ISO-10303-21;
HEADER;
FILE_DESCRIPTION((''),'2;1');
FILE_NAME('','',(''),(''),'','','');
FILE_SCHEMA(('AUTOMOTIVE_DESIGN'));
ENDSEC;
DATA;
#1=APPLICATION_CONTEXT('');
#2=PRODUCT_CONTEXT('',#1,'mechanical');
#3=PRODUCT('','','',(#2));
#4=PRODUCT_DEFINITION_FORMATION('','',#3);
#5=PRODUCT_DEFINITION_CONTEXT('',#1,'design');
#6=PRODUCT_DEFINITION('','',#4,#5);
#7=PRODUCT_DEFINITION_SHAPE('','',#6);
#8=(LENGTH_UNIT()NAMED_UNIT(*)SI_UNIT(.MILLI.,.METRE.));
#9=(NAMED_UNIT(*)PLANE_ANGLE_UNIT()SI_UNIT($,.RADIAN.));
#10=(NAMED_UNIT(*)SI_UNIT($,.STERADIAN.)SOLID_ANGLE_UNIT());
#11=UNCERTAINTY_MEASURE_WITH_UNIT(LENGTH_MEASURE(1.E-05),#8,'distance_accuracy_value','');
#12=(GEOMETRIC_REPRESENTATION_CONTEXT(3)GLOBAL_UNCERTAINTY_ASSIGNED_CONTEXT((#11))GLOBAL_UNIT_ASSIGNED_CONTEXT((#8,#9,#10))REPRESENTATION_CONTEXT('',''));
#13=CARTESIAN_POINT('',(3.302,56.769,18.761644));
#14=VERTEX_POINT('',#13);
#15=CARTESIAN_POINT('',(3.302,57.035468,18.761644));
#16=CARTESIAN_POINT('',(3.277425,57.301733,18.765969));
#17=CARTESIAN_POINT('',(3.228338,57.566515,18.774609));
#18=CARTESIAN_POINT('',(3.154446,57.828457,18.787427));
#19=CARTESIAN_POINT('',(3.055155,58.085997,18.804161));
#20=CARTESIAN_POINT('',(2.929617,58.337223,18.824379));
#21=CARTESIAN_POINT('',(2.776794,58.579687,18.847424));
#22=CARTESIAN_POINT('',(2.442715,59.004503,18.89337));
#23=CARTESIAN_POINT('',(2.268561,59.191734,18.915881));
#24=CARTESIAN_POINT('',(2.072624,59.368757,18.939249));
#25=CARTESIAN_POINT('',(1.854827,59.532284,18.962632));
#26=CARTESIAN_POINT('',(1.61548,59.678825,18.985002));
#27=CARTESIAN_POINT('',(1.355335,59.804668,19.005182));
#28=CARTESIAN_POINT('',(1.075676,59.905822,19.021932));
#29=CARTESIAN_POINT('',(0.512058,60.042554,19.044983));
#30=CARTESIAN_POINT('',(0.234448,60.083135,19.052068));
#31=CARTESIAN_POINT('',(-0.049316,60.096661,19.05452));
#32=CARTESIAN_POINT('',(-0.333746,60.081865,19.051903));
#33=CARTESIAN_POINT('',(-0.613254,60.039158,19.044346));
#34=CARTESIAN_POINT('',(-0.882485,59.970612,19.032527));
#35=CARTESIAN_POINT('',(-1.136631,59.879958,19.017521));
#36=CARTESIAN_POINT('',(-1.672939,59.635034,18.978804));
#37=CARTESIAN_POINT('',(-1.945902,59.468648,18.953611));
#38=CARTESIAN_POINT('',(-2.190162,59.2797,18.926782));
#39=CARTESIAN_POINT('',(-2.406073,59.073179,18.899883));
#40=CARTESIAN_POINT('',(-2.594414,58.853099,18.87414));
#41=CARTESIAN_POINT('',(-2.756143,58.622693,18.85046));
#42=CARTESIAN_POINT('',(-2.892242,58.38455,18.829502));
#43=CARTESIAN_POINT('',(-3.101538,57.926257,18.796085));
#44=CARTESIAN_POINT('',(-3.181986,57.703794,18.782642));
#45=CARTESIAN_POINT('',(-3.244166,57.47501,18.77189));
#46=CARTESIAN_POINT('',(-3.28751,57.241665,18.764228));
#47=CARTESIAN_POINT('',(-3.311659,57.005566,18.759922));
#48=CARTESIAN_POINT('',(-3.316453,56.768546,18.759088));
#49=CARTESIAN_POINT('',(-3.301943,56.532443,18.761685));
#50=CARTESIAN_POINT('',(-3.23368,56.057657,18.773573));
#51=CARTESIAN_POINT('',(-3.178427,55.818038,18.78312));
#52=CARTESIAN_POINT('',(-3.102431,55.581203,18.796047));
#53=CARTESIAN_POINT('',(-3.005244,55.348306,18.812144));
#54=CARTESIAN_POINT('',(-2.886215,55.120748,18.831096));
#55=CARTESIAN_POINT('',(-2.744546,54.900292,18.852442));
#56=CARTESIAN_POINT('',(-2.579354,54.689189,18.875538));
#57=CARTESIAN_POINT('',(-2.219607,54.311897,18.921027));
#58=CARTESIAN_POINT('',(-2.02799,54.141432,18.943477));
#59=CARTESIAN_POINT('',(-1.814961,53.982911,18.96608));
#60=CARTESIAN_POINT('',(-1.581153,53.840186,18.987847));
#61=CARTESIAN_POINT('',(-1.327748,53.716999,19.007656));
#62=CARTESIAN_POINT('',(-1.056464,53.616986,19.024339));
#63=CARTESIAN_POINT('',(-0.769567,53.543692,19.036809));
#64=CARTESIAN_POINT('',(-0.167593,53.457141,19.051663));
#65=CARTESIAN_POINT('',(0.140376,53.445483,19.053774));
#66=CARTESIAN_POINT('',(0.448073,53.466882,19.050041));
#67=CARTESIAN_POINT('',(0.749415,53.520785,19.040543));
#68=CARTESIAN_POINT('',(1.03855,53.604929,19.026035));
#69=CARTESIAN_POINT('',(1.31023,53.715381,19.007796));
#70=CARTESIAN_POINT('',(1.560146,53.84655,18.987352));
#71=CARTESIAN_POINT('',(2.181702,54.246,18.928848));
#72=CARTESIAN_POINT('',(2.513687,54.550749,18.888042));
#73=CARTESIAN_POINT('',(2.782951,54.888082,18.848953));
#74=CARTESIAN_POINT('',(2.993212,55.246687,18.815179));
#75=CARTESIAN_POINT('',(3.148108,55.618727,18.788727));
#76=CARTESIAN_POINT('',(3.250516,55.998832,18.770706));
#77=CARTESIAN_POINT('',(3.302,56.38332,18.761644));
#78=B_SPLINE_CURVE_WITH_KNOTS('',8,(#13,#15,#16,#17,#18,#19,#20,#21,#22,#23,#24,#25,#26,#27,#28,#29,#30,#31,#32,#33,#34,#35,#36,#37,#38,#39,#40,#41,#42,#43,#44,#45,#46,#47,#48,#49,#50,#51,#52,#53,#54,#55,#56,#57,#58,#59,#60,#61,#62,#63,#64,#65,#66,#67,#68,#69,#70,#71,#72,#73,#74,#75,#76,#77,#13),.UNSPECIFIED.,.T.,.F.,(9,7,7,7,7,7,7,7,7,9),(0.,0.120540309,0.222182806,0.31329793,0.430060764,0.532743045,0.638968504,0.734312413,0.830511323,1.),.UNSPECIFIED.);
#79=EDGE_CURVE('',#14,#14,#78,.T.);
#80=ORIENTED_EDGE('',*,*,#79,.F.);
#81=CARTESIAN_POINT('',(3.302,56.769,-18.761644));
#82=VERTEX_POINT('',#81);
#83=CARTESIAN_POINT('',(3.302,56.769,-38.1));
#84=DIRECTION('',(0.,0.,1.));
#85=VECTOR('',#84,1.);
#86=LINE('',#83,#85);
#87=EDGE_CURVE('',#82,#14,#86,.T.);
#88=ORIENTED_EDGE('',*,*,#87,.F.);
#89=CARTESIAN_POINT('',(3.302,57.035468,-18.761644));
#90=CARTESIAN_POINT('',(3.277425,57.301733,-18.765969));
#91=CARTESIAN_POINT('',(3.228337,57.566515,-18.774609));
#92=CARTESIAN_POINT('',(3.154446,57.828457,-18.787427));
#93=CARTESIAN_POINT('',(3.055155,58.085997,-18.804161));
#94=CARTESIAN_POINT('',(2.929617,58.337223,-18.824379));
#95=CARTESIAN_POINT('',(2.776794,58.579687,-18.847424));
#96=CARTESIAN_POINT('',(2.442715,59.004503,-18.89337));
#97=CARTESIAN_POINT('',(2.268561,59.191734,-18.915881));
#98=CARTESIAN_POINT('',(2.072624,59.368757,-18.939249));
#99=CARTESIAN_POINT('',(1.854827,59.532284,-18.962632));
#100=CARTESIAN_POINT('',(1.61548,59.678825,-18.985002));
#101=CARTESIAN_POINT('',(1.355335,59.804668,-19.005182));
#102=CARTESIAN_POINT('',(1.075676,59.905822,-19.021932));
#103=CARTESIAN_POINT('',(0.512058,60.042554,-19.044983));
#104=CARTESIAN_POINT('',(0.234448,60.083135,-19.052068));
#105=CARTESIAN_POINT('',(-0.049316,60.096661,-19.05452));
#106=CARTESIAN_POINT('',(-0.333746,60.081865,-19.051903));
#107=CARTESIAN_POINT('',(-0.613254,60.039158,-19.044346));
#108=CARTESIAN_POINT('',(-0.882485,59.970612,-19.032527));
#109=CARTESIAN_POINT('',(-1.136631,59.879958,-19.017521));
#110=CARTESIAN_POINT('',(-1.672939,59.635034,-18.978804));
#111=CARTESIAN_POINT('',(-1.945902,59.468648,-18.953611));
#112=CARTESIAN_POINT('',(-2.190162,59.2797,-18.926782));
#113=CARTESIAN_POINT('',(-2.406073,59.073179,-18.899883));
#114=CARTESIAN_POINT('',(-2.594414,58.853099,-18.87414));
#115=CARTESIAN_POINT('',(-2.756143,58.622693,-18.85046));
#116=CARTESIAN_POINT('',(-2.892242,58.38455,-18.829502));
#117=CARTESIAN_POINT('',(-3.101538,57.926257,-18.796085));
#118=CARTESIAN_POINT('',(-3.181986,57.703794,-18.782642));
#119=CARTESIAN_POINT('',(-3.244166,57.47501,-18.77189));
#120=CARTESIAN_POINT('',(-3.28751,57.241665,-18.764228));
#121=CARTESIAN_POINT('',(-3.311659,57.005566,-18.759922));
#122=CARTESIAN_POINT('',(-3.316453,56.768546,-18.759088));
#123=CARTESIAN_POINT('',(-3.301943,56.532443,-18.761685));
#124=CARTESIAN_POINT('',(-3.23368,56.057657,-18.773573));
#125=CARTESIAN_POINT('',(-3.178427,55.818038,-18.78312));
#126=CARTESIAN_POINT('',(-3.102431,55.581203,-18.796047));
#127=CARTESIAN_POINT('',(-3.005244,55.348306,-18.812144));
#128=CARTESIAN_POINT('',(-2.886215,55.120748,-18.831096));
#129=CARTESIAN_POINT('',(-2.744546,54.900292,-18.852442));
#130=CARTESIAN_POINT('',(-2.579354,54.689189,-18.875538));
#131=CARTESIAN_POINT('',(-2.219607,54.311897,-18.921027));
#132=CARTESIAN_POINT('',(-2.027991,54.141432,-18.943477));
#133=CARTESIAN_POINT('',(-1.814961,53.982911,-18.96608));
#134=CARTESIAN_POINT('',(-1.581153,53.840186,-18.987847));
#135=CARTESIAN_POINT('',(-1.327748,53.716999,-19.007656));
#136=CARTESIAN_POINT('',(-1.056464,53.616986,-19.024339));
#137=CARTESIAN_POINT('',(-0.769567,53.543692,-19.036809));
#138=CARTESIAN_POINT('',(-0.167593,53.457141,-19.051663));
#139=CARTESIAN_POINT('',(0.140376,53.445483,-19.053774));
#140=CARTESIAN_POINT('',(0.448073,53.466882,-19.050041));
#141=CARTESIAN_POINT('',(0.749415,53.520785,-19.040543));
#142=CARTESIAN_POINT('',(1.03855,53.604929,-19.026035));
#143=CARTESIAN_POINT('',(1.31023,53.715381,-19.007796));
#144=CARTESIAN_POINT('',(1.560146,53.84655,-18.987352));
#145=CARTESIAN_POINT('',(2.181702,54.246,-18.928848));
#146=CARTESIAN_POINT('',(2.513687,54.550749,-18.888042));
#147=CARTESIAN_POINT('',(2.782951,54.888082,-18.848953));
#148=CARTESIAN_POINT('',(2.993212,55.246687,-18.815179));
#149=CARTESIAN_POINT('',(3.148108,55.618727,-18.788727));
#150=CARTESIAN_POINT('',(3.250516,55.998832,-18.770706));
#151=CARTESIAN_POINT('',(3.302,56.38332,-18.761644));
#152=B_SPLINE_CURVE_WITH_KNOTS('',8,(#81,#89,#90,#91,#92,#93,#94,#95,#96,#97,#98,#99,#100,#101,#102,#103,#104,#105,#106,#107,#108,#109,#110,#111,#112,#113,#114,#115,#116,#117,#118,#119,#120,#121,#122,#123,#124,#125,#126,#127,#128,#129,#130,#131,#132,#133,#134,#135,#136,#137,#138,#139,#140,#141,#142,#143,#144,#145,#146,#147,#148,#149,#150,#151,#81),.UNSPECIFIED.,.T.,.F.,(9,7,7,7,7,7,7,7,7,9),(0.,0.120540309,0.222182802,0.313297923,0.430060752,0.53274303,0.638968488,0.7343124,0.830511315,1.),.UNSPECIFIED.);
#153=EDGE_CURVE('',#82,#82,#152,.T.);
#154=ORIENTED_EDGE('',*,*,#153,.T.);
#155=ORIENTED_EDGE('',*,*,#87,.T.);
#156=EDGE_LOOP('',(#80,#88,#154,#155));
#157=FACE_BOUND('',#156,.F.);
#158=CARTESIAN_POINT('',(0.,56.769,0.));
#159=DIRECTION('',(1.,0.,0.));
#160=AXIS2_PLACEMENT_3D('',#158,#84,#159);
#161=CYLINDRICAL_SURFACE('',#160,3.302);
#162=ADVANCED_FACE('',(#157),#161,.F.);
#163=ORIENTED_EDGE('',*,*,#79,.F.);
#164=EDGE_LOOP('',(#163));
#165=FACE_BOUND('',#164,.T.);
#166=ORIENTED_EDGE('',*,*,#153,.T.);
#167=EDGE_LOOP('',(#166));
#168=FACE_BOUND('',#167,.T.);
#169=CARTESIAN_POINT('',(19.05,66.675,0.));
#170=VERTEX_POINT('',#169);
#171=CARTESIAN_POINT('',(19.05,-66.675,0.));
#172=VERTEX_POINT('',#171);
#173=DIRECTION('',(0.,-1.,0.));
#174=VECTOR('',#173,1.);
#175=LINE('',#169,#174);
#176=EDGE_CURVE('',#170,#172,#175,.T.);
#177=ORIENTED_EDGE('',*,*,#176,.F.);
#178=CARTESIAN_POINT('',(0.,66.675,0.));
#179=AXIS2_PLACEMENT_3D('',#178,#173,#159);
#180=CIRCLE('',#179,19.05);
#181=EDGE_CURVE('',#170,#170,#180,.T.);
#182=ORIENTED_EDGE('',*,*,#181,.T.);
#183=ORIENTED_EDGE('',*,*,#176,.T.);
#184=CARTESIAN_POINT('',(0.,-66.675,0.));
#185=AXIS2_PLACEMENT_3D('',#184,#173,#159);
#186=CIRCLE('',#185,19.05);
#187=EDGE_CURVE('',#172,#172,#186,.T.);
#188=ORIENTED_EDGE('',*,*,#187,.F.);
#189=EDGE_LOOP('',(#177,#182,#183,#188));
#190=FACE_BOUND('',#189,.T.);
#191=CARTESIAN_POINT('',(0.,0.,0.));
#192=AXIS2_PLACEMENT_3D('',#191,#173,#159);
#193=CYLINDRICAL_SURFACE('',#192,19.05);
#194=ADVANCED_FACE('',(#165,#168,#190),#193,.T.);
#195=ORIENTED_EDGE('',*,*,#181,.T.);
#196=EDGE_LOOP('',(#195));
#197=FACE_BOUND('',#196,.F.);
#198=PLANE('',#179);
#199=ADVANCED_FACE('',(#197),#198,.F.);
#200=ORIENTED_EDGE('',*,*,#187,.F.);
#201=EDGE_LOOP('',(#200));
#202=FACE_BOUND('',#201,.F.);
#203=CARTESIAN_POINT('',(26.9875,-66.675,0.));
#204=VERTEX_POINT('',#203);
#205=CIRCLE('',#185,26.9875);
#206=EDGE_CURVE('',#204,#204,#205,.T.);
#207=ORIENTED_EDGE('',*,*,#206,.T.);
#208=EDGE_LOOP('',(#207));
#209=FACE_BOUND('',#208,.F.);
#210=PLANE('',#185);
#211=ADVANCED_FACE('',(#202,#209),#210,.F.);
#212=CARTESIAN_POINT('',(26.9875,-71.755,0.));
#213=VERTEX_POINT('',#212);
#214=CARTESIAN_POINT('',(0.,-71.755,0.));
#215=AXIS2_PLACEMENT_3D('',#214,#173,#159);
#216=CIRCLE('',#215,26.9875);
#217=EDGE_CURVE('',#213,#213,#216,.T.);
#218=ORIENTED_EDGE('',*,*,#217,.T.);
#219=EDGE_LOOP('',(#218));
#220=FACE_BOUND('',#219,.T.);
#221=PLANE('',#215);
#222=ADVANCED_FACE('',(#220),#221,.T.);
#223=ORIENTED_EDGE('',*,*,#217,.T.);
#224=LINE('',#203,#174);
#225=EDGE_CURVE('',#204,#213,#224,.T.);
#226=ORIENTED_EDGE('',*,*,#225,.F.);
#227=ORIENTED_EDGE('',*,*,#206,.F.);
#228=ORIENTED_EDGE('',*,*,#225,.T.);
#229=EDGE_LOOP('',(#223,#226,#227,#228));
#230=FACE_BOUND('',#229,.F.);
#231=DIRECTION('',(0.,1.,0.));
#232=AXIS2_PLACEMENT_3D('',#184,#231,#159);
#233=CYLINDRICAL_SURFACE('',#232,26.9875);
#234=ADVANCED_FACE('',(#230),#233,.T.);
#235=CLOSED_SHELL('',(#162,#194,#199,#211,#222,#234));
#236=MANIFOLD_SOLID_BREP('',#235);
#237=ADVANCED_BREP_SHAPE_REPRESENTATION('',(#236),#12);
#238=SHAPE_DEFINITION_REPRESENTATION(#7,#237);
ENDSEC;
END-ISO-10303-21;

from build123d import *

# Parameters (mm, degrees)
F0_R     = 19.05
F1_DEPTH = 66.675
F2_R     = 26.9875
F3_DEPTH = 5.08
F4_R     = 3.302
F5_DEPTH = 38.1


with BuildPart() as f1:
    # F0 (on Front) → F1 (new body, symmetric)
    with BuildSketch(Plane.XZ):
        Circle(F0_R)
    extrude(amount=F1_DEPTH, both=True)

    # F2 (on face) → F3 (join)
    with BuildSketch(Plane.XZ.offset(66.675)):
        Circle(F2_R)
    extrude(amount=F3_DEPTH)

    # F4 (on Top) → F5 (cut, symmetric)
    with BuildSketch(Plane.XY):
        with Locations((0, 56.769)):
            Circle(F4_R)
    extrude(amount=F5_DEPTH, both=True, mode=Mode.SUBTRACT)


solid = f1.part
